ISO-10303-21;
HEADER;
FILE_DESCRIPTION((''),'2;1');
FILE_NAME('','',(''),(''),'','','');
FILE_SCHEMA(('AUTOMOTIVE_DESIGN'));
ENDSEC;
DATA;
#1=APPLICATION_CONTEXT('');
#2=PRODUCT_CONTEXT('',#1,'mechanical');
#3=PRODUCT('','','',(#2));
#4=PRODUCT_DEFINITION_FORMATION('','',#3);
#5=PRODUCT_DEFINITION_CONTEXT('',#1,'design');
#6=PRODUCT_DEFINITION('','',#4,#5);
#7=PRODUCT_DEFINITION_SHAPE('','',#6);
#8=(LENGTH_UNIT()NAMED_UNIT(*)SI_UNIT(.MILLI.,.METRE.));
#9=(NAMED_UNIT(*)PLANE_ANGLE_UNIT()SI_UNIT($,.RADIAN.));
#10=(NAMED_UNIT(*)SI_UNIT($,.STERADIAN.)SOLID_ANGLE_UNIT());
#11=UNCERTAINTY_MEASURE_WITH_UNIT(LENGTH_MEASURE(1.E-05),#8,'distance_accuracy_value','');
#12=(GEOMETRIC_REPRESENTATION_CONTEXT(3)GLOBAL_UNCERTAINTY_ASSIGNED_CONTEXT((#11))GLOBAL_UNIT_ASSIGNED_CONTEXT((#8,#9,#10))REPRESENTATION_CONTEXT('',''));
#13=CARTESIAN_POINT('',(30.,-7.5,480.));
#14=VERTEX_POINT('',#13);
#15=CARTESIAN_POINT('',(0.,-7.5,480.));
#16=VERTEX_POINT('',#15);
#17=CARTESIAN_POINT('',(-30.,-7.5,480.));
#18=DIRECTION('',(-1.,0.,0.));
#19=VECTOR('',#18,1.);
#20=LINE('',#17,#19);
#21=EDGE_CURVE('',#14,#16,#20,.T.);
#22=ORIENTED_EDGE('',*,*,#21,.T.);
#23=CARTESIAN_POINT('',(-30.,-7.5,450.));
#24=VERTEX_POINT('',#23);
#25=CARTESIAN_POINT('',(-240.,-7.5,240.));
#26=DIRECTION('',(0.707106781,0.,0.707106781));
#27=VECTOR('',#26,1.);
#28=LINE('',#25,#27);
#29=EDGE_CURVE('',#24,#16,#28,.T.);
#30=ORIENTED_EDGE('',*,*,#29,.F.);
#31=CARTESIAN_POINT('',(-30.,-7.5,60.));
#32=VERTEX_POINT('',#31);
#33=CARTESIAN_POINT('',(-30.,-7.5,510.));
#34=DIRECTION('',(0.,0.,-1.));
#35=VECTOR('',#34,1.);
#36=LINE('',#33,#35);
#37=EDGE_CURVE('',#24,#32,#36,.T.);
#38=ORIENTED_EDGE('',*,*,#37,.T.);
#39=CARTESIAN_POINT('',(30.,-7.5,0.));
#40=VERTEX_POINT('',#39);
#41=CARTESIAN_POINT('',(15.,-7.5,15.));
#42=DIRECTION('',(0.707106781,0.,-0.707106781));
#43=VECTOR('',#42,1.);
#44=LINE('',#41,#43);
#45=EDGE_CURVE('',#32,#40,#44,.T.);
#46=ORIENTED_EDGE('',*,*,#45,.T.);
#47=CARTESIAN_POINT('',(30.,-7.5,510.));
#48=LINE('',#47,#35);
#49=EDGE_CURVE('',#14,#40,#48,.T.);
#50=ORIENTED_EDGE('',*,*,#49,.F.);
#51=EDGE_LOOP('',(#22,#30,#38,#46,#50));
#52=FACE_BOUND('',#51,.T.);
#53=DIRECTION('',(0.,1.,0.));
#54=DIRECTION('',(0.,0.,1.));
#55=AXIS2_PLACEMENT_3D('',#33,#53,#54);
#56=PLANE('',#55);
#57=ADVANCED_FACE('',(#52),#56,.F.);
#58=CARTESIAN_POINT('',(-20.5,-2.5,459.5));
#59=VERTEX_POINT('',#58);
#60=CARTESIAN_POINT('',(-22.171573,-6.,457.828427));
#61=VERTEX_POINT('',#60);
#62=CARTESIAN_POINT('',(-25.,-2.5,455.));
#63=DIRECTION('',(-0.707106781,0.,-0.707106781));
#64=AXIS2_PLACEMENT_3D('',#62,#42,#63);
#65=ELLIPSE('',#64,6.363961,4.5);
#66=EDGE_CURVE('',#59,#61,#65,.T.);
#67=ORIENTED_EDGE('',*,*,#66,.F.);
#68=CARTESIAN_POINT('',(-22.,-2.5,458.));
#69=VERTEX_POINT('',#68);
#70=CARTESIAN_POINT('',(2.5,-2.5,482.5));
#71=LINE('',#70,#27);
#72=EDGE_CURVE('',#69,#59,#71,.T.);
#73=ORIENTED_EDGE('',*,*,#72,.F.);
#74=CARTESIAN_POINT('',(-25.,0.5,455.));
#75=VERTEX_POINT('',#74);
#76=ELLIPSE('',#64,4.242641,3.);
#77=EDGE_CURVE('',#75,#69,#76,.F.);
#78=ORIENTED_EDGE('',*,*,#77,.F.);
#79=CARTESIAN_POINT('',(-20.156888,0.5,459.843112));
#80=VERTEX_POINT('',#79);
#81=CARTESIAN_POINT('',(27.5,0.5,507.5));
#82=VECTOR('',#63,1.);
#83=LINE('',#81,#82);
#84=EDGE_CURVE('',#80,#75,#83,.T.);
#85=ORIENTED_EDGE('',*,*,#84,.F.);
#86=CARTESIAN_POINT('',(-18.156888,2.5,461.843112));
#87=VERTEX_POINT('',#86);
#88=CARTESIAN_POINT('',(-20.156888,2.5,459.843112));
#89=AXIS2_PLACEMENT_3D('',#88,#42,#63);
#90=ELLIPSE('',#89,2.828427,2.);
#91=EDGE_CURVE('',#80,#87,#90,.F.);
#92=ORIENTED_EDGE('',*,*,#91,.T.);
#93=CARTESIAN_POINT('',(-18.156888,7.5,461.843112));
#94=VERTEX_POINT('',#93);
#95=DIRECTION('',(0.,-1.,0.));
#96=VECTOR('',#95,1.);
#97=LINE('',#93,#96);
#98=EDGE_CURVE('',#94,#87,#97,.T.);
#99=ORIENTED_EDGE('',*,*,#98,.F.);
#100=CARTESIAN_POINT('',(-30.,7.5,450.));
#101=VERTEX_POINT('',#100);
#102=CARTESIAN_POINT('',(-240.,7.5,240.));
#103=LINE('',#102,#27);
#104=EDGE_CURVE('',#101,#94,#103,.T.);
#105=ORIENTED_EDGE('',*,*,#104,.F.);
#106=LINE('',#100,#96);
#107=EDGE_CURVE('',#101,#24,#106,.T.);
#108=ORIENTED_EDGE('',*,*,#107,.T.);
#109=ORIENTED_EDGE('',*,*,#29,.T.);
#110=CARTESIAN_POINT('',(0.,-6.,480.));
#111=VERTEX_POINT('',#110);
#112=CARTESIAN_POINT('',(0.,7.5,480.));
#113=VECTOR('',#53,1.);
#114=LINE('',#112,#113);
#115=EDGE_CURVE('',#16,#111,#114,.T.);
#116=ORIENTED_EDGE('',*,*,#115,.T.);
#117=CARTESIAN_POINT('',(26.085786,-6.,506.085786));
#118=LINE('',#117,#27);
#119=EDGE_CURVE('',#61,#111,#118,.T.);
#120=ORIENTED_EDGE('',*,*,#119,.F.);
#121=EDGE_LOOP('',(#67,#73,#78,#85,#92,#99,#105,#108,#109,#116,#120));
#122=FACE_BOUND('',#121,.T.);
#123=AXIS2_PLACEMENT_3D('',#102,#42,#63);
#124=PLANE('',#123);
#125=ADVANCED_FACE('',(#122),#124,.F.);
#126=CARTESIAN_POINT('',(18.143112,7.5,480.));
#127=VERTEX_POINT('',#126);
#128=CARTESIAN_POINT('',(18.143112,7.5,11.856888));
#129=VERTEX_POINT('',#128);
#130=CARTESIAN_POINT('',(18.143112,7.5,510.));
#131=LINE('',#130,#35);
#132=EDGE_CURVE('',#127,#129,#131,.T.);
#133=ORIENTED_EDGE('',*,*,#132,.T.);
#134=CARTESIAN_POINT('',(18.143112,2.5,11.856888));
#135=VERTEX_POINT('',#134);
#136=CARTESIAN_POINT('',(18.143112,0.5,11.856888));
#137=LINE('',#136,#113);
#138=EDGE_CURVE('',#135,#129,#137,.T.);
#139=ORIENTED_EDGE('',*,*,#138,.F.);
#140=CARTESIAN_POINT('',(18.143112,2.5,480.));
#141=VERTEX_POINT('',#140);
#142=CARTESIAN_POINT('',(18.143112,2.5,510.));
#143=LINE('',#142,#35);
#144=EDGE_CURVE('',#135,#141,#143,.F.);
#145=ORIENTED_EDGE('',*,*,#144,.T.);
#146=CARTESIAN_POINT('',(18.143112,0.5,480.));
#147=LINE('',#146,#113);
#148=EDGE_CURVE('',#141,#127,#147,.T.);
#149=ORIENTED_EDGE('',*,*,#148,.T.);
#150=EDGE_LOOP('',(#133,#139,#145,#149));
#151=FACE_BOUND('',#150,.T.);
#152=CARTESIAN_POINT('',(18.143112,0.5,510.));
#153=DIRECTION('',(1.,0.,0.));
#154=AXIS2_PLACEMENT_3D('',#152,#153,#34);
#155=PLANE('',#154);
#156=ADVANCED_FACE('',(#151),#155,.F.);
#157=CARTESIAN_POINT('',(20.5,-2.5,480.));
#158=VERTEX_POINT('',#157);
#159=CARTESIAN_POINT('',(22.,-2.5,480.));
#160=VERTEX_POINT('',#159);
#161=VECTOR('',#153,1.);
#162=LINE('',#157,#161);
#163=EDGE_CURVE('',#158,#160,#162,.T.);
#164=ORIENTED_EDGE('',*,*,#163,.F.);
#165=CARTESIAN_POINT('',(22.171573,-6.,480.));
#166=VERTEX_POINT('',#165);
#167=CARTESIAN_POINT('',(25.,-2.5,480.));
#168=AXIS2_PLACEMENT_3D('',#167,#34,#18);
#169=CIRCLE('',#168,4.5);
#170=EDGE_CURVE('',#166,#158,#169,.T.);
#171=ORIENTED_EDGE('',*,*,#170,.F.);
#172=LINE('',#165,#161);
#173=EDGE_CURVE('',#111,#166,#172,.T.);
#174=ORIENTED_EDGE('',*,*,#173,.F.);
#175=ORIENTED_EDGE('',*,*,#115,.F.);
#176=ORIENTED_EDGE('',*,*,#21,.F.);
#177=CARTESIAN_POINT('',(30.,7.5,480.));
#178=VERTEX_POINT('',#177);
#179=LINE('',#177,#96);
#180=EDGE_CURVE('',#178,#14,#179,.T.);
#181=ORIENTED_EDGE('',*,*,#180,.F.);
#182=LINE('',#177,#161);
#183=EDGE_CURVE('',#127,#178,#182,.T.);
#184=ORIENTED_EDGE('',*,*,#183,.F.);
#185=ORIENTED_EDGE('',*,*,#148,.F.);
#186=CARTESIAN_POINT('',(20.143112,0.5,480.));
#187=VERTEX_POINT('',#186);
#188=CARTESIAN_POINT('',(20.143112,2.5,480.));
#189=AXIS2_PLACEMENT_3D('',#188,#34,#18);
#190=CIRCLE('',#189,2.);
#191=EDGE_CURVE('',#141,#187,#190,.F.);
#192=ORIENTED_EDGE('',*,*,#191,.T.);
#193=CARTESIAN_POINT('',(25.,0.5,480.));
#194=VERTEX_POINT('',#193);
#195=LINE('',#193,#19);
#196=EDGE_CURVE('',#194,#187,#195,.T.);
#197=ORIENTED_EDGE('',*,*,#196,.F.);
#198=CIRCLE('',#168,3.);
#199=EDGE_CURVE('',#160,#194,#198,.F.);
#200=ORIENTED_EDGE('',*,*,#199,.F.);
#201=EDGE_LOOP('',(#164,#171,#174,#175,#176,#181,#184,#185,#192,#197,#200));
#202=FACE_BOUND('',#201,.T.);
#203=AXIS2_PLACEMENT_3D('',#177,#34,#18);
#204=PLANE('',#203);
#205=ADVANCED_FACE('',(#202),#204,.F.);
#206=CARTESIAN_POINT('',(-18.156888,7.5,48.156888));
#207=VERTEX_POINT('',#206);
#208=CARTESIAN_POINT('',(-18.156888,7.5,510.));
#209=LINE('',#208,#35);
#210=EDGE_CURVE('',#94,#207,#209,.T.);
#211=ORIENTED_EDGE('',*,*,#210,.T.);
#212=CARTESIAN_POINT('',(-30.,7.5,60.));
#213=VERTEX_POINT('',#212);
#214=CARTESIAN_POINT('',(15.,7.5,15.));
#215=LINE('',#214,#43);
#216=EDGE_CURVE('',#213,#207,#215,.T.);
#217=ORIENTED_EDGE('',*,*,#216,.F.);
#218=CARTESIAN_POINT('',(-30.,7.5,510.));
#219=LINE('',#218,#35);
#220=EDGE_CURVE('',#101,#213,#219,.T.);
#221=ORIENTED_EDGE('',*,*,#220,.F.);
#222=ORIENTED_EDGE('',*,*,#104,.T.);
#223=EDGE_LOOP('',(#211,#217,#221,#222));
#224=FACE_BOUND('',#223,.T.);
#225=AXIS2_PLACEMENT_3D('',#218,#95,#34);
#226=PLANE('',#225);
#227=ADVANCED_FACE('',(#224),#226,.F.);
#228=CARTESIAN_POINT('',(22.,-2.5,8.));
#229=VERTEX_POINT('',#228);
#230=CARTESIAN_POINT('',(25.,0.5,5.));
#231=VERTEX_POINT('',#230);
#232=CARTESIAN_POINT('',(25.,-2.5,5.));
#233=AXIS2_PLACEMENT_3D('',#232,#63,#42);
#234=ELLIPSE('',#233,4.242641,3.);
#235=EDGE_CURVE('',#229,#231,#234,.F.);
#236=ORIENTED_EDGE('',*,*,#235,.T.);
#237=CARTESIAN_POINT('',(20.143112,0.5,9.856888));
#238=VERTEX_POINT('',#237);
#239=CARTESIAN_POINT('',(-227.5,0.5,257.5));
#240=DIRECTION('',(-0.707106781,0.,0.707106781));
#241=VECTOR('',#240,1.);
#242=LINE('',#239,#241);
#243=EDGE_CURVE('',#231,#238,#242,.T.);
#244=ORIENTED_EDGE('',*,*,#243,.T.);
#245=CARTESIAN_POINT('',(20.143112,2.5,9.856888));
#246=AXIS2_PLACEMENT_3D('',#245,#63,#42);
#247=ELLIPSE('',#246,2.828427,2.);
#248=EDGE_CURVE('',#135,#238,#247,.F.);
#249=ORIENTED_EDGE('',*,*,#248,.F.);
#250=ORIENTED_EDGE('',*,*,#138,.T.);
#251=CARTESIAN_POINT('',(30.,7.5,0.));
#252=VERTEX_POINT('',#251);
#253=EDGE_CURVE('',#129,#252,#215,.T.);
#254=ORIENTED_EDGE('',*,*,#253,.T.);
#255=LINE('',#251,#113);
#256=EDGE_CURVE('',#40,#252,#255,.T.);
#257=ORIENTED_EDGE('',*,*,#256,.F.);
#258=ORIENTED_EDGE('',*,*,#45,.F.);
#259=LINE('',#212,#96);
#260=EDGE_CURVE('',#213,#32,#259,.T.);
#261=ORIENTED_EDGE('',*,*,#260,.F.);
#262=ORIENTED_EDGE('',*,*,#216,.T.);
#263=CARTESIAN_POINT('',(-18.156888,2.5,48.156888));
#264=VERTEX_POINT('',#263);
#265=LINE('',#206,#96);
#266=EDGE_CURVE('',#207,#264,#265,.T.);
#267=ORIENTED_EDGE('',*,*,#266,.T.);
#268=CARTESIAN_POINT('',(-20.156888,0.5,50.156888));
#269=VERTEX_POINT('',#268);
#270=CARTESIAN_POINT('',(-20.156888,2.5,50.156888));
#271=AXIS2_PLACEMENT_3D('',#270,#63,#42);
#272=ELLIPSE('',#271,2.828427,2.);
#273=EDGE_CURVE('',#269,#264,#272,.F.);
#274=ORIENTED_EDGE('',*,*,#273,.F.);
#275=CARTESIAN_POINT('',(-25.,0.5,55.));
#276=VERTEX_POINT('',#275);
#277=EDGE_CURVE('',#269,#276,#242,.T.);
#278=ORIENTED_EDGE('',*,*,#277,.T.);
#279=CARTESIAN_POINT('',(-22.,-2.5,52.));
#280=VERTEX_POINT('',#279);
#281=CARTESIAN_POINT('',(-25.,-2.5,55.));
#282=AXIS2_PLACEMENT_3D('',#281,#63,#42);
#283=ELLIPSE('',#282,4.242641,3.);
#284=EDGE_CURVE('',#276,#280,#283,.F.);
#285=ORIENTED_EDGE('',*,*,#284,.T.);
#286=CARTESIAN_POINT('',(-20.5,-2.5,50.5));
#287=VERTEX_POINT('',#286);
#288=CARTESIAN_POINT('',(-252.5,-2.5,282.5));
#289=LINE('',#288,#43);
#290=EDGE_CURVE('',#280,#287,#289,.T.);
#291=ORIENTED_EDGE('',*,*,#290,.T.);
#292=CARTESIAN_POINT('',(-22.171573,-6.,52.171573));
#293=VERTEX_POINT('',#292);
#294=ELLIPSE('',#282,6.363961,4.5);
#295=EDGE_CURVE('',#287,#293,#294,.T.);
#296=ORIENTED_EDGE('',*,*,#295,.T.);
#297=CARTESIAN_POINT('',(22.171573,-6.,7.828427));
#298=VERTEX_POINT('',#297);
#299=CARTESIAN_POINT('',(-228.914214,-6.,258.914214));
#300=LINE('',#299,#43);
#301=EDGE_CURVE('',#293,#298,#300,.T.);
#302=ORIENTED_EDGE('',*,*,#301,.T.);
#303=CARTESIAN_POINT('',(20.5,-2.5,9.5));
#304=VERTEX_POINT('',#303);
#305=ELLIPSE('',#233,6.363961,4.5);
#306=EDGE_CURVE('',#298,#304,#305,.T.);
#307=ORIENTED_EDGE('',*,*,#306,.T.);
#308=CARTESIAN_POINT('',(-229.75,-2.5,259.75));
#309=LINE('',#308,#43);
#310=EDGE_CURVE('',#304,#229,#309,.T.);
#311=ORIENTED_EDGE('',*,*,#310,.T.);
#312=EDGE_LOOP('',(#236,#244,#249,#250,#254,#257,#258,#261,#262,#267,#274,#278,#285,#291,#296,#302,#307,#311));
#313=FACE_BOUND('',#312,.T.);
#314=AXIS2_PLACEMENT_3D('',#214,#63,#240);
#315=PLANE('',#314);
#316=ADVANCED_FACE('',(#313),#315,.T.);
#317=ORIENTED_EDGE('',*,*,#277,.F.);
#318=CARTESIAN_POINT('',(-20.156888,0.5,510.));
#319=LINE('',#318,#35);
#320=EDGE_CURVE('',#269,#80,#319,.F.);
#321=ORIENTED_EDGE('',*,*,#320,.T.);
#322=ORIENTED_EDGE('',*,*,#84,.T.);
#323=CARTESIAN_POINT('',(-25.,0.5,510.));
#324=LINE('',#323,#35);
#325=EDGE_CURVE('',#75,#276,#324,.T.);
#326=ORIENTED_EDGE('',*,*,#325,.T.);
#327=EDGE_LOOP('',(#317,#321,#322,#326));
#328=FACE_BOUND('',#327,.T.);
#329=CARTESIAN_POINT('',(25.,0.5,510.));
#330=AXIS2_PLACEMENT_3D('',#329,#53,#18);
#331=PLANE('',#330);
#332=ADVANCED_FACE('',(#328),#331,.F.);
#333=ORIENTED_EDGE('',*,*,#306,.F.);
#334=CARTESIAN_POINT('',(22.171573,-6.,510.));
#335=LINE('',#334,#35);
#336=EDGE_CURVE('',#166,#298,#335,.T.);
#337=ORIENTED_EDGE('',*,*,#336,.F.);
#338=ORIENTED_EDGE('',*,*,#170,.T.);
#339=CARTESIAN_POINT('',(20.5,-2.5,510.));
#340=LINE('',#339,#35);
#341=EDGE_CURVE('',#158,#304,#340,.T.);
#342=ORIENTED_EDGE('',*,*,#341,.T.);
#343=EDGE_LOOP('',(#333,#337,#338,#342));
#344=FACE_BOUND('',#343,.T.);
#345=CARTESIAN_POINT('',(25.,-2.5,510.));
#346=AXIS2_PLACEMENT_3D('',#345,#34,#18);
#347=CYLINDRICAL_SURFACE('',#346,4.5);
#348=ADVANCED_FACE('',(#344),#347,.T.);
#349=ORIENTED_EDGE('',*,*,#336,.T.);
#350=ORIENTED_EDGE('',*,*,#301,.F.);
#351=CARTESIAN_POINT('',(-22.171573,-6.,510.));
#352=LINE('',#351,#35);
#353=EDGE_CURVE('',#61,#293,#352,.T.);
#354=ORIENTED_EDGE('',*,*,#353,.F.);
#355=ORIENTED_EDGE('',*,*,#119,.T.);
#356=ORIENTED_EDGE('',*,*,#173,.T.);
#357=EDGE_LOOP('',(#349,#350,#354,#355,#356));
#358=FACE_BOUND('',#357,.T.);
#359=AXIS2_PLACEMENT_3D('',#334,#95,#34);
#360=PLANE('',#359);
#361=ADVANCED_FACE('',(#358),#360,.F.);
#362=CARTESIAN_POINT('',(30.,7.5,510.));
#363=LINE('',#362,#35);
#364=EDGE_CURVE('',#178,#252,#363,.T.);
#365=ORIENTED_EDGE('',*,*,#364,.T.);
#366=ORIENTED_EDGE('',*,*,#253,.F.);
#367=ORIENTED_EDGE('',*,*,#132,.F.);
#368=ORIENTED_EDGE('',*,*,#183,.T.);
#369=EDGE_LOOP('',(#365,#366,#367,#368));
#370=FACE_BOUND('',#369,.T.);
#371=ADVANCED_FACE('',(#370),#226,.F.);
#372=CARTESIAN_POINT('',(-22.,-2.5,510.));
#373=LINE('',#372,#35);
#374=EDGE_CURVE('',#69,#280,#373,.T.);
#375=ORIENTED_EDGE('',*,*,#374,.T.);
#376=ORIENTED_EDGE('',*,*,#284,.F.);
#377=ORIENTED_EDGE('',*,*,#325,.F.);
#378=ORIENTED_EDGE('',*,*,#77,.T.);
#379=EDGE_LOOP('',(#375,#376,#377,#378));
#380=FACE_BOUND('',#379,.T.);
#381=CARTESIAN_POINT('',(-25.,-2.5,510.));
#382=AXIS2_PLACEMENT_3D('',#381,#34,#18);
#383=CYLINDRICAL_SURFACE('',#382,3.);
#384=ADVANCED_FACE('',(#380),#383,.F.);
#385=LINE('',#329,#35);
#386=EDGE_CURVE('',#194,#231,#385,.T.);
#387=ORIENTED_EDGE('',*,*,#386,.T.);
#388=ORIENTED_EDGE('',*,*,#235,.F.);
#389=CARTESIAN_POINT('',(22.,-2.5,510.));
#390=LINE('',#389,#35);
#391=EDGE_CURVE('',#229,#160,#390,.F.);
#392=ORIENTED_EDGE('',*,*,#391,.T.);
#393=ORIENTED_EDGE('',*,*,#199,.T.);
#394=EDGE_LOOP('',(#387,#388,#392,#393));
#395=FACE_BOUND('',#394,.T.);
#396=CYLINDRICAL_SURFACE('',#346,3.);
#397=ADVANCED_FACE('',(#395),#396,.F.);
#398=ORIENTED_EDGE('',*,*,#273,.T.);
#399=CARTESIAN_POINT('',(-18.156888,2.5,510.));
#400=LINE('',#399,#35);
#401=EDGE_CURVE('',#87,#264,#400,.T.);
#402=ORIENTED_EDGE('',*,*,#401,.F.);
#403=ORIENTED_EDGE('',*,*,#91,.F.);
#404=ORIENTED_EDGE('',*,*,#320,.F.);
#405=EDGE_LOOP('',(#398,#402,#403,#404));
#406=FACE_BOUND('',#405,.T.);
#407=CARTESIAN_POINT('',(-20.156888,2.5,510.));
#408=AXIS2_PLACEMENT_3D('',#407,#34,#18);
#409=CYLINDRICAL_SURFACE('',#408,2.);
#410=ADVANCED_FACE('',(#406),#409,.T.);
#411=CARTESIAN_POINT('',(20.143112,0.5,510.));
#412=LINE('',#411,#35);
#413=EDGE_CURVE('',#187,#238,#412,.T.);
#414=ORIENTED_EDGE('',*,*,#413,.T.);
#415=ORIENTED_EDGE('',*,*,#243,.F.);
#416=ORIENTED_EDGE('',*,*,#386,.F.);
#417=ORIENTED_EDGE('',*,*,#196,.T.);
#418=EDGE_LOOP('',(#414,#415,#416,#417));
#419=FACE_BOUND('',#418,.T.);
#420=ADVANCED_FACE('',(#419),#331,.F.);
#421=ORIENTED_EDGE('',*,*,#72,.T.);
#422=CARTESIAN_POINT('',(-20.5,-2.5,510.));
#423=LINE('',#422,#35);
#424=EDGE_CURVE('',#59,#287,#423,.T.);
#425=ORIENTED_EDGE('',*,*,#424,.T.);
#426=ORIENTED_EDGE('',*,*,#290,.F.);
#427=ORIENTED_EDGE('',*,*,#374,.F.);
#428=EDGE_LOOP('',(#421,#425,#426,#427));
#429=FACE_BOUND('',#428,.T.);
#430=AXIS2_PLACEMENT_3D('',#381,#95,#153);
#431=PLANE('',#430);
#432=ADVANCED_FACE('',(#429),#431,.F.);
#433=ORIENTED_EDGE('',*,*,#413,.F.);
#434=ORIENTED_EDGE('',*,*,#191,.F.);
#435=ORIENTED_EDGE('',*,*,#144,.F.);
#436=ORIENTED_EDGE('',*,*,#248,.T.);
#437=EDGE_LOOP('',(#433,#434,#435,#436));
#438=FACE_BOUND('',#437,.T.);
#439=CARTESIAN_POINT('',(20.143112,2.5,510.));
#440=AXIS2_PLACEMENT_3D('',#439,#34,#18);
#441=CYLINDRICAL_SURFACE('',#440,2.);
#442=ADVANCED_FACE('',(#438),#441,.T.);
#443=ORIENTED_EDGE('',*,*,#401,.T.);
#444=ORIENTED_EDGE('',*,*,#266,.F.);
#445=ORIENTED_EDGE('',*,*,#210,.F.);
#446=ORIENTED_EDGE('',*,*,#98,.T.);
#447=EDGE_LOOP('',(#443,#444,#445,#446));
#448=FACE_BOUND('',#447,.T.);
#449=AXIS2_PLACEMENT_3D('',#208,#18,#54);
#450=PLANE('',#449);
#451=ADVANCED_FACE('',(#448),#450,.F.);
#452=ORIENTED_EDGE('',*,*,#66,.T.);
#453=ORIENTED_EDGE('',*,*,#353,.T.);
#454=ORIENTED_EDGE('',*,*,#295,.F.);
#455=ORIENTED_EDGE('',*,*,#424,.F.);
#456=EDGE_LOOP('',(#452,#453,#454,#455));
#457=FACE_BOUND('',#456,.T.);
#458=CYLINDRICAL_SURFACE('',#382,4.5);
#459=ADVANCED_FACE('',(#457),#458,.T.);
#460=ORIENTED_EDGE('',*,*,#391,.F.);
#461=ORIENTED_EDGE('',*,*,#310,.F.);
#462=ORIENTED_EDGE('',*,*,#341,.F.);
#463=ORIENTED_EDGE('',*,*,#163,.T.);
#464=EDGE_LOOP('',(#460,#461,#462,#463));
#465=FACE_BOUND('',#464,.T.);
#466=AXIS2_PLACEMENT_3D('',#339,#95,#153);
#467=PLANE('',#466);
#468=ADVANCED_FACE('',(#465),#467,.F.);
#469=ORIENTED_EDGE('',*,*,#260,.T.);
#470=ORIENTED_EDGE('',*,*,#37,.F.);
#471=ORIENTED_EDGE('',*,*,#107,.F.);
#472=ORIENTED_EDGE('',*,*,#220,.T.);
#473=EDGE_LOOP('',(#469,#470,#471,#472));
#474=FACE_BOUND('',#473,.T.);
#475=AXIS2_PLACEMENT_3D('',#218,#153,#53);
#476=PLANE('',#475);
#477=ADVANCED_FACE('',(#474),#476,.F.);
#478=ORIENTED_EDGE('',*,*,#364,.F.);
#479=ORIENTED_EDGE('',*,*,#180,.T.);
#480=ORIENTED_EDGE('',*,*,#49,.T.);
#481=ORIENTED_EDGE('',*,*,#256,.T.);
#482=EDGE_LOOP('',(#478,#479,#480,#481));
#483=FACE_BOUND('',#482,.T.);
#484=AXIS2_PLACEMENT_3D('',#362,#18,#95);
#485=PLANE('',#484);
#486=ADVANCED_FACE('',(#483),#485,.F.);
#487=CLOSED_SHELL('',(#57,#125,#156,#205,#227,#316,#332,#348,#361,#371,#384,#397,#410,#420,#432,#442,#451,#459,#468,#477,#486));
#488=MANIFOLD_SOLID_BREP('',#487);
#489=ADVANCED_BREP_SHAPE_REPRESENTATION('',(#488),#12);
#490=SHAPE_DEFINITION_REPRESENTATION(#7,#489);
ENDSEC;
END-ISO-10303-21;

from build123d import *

# Parameters (mm, degrees)
SKETCH_1_W               = 60
SKETCH_1_H               = 15
EXTRUDE_1_DEPTH          = 510
SKETCH_2_R               = 3
CUT_EXTRUDE_1_DEPTH      = 511.936639908
CUT_EXTRUDE_2_DEPTH      = 511.936639908
SKETCH_4_W               = 36.3
SKETCH_4_H               = 7
CUT_EXTRUDE_3_DEPTH      = 511.936639908
FILLET_1_R               = 2
CUT_EXTRUDE_4_DEPTH      = 512.101751122
CUT_EXTRUDE_6_DEPTH      = 512.101751122
CUT_EXTRUDE_6_DEPTH_BACK = 512.101751122
SKETCH_7_W               = 30
SKETCH_7_H               = 30


with BuildPart() as part:
    # 스케치1 → 보스-돌출1 (new body)
    with BuildSketch(Plane.XY):
        Rectangle(SKETCH_1_W, SKETCH_1_H)
    extrude(amount=EXTRUDE_1_DEPTH)

    # 스케치2 → 컷-돌출1 (cut, through all)
    with BuildSketch(Plane(origin=(0, 0, 0), x_dir=(-1, 0, 0), z_dir=(0, 0, -1))):
        with Locations((-25, -2.5)):
            Circle(SKETCH_2_R)
        with Locations((25, -2.5)):
            Circle(SKETCH_2_R)
    extrude(amount=-CUT_EXTRUDE_1_DEPTH, mode=Mode.SUBTRACT)

    # 스케치3 → 컷-돌출2 (cut, through all)
    with BuildSketch(Plane(origin=(0, 0, 0), x_dir=(-1, 0, 0), z_dir=(0, 0, -1))):
        with BuildLine():
            Line((-22.171572875, -6), (22.171572875, -6))
            ThreePointArc((22.171572875, -6), (20.939339828, -4.439339828), (20.5, -2.5))
            Line((20.5, -2.5), (25, -2.5))
            Line((25, -2.5), (25, 0.5))
            Line((25, 0.5), (-25, 0.5))
            Line((-25, 0.5), (-25, -2.5))
            Line((-25, -2.5), (-20.5, -2.5))
            ThreePointArc((-20.5, -2.5), (-20.939339828, -4.439339828), (-22.171572875, -6))
        make_face()
    extrude(amount=-CUT_EXTRUDE_2_DEPTH, mode=Mode.SUBTRACT)

    # 스케치4 → 컷-돌출3 (cut, through all)
    with BuildSketch(Plane(origin=(0, 0, 0), x_dir=(-1, 0, 0), z_dir=(0, 0, -1))):
        with Locations((0.006888359, 4)):
            Rectangle(SKETCH_4_W, SKETCH_4_H)
    extrude(amount=-CUT_EXTRUDE_3_DEPTH, mode=Mode.SUBTRACT)

    # 필렛1
    fillet_1_edges = [part.edges().sort_by_distance(p)[0] for p in [
        (-18.156888359, 0.5, 255),
        (18.143111641, 0.5, 255),
    ]]
    fillet(fillet_1_edges, radius=FILLET_1_R)

    # 스케치5 → 컷-돌출4 (cut, through all)
    with BuildSketch(Plane.XZ.offset(7.5)):
        Polygon((-30, 510), (-30, 450), (30, 510), align=None)
        Polygon((-30, 0), (30, 0), (-30, 60), align=None)
    extrude(amount=-CUT_EXTRUDE_4_DEPTH, mode=Mode.SUBTRACT)

    # 스케치7 → 컷-돌출6 (cut, two sides: drawn at the far end of the back side and taken through both)
    with BuildSketch(Plane.XZ.offset(7.5).offset(-CUT_EXTRUDE_6_DEPTH_BACK)):
        with Locations((15, 495)):
            Rectangle(SKETCH_7_W, SKETCH_7_H)
    extrude(amount=CUT_EXTRUDE_6_DEPTH + CUT_EXTRUDE_6_DEPTH_BACK, mode=Mode.SUBTRACT)


solid = part.part
